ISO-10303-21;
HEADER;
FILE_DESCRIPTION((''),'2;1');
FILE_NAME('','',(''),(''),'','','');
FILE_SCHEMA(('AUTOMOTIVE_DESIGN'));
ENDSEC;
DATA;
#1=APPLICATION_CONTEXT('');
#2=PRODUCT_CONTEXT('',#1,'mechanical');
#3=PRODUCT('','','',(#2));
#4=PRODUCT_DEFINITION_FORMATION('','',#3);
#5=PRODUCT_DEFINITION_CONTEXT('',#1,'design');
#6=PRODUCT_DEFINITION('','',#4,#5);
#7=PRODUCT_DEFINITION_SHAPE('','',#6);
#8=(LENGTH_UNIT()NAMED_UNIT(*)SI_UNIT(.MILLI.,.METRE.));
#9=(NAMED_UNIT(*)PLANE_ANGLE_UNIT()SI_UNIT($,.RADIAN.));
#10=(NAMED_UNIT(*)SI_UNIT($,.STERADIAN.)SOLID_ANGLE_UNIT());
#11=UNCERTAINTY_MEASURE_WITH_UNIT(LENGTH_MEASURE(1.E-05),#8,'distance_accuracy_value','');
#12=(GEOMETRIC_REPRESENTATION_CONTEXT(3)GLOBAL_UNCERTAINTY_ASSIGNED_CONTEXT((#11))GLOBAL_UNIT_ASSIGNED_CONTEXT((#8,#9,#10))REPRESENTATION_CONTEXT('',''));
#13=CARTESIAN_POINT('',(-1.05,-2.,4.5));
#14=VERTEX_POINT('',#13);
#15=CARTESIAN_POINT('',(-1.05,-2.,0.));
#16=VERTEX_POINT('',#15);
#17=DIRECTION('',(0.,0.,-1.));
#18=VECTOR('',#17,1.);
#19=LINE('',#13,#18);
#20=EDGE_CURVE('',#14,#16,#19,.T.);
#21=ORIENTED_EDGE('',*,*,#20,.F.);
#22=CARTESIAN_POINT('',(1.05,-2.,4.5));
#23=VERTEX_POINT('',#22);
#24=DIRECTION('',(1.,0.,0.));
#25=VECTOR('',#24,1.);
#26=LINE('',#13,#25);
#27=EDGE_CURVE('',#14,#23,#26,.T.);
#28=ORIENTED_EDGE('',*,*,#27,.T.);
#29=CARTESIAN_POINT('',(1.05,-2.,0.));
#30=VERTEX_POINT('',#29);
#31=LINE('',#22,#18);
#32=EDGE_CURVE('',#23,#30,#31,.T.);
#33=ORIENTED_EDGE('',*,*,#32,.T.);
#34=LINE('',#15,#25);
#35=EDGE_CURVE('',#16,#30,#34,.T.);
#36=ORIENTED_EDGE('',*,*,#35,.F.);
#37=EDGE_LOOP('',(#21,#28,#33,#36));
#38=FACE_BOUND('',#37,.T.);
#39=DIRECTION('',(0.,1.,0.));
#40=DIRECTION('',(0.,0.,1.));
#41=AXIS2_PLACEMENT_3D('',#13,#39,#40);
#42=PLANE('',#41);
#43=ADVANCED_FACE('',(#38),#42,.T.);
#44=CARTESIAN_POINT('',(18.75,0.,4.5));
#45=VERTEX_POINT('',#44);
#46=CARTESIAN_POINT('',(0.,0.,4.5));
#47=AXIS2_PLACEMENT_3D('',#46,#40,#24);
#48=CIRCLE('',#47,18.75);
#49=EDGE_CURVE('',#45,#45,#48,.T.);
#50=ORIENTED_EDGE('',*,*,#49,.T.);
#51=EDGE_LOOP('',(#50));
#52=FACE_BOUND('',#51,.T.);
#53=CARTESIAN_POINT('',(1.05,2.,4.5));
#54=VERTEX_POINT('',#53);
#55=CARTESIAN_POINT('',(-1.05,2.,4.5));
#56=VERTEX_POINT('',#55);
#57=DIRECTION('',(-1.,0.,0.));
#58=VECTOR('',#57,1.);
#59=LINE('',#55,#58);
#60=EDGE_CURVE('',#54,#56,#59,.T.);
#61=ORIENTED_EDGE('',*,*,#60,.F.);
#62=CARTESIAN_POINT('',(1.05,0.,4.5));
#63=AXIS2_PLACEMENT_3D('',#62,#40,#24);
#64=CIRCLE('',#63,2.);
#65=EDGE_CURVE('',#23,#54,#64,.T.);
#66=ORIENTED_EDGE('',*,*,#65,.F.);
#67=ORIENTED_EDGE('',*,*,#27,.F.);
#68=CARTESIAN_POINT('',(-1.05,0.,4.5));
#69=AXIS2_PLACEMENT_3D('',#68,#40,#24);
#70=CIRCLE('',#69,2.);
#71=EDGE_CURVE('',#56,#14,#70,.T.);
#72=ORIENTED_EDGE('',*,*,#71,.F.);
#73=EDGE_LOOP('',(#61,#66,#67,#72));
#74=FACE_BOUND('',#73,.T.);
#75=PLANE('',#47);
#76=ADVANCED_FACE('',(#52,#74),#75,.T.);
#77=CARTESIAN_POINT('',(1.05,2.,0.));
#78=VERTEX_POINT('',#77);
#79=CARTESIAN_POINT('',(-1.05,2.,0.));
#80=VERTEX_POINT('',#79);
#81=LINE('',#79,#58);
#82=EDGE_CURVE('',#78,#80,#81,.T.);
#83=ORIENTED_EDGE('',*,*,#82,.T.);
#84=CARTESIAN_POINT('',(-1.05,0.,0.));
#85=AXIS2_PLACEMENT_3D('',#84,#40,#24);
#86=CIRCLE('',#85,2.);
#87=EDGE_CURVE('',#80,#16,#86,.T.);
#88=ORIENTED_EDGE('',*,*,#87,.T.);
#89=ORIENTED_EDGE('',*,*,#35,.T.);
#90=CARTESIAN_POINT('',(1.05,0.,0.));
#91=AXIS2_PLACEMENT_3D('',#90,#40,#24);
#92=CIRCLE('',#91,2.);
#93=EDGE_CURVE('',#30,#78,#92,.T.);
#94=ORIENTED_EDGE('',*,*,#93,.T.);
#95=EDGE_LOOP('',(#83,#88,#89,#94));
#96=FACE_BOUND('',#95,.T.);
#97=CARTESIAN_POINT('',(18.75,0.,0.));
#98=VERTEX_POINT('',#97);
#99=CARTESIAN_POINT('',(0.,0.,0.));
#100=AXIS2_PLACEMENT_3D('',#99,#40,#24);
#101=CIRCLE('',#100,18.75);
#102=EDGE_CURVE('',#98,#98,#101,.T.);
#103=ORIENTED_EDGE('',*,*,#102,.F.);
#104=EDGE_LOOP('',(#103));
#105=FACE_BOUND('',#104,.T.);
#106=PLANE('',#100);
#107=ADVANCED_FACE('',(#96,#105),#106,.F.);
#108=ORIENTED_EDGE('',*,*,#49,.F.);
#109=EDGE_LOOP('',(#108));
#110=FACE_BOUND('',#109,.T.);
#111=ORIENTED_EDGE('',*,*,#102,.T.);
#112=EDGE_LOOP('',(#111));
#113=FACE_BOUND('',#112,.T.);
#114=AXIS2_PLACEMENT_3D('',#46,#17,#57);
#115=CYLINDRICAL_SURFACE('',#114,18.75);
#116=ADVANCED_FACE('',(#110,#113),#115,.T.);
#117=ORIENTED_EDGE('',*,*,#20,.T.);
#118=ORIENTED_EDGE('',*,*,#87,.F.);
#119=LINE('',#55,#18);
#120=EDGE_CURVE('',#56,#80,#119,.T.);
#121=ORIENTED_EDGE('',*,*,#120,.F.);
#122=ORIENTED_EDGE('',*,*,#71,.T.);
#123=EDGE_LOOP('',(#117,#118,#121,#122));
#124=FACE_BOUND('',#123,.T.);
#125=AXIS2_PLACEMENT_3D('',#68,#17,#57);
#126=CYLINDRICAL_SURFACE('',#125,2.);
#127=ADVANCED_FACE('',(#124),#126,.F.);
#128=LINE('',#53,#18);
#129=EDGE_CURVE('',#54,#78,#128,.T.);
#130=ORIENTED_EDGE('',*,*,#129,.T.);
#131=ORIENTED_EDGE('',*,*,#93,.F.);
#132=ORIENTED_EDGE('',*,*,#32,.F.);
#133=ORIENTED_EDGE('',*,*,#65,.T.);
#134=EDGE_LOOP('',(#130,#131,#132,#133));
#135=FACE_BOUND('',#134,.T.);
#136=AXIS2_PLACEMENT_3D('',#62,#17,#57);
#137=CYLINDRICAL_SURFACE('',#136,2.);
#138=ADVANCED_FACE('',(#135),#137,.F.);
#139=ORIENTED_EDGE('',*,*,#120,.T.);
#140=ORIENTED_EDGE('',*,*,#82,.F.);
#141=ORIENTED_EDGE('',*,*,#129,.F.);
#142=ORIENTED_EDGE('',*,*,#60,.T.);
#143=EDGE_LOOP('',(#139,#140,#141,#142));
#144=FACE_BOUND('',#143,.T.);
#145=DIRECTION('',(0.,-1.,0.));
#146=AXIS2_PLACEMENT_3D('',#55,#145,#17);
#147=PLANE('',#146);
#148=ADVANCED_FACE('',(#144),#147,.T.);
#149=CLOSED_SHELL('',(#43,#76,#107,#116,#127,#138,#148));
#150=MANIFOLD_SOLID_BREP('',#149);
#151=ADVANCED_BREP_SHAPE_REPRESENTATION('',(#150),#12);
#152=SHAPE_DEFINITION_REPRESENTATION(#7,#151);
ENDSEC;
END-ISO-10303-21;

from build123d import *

# Parameters (mm, degrees)
SKETCH1_R           = 18.75
BOSS_EXTRUDE1_DEPTH = 4.5


with BuildPart() as part:
    # Sketch1 → Boss-Extrude1 (new body)
    with BuildSketch(Plane.XY):
        Circle(SKETCH1_R)
        with BuildLine():
            Line((-1.05, 2), (1.05, 2))
            ThreePointArc((1.05, 2), (3.05, 0), (1.05, -2))
            Line((1.05, -2), (-1.05, -2))
            ThreePointArc((-1.05, -2), (-3.05, 0), (-1.05, 2))
        make_face(mode=Mode.SUBTRACT)
    extrude(amount=BOSS_EXTRUDE1_DEPTH)


solid = part.part
